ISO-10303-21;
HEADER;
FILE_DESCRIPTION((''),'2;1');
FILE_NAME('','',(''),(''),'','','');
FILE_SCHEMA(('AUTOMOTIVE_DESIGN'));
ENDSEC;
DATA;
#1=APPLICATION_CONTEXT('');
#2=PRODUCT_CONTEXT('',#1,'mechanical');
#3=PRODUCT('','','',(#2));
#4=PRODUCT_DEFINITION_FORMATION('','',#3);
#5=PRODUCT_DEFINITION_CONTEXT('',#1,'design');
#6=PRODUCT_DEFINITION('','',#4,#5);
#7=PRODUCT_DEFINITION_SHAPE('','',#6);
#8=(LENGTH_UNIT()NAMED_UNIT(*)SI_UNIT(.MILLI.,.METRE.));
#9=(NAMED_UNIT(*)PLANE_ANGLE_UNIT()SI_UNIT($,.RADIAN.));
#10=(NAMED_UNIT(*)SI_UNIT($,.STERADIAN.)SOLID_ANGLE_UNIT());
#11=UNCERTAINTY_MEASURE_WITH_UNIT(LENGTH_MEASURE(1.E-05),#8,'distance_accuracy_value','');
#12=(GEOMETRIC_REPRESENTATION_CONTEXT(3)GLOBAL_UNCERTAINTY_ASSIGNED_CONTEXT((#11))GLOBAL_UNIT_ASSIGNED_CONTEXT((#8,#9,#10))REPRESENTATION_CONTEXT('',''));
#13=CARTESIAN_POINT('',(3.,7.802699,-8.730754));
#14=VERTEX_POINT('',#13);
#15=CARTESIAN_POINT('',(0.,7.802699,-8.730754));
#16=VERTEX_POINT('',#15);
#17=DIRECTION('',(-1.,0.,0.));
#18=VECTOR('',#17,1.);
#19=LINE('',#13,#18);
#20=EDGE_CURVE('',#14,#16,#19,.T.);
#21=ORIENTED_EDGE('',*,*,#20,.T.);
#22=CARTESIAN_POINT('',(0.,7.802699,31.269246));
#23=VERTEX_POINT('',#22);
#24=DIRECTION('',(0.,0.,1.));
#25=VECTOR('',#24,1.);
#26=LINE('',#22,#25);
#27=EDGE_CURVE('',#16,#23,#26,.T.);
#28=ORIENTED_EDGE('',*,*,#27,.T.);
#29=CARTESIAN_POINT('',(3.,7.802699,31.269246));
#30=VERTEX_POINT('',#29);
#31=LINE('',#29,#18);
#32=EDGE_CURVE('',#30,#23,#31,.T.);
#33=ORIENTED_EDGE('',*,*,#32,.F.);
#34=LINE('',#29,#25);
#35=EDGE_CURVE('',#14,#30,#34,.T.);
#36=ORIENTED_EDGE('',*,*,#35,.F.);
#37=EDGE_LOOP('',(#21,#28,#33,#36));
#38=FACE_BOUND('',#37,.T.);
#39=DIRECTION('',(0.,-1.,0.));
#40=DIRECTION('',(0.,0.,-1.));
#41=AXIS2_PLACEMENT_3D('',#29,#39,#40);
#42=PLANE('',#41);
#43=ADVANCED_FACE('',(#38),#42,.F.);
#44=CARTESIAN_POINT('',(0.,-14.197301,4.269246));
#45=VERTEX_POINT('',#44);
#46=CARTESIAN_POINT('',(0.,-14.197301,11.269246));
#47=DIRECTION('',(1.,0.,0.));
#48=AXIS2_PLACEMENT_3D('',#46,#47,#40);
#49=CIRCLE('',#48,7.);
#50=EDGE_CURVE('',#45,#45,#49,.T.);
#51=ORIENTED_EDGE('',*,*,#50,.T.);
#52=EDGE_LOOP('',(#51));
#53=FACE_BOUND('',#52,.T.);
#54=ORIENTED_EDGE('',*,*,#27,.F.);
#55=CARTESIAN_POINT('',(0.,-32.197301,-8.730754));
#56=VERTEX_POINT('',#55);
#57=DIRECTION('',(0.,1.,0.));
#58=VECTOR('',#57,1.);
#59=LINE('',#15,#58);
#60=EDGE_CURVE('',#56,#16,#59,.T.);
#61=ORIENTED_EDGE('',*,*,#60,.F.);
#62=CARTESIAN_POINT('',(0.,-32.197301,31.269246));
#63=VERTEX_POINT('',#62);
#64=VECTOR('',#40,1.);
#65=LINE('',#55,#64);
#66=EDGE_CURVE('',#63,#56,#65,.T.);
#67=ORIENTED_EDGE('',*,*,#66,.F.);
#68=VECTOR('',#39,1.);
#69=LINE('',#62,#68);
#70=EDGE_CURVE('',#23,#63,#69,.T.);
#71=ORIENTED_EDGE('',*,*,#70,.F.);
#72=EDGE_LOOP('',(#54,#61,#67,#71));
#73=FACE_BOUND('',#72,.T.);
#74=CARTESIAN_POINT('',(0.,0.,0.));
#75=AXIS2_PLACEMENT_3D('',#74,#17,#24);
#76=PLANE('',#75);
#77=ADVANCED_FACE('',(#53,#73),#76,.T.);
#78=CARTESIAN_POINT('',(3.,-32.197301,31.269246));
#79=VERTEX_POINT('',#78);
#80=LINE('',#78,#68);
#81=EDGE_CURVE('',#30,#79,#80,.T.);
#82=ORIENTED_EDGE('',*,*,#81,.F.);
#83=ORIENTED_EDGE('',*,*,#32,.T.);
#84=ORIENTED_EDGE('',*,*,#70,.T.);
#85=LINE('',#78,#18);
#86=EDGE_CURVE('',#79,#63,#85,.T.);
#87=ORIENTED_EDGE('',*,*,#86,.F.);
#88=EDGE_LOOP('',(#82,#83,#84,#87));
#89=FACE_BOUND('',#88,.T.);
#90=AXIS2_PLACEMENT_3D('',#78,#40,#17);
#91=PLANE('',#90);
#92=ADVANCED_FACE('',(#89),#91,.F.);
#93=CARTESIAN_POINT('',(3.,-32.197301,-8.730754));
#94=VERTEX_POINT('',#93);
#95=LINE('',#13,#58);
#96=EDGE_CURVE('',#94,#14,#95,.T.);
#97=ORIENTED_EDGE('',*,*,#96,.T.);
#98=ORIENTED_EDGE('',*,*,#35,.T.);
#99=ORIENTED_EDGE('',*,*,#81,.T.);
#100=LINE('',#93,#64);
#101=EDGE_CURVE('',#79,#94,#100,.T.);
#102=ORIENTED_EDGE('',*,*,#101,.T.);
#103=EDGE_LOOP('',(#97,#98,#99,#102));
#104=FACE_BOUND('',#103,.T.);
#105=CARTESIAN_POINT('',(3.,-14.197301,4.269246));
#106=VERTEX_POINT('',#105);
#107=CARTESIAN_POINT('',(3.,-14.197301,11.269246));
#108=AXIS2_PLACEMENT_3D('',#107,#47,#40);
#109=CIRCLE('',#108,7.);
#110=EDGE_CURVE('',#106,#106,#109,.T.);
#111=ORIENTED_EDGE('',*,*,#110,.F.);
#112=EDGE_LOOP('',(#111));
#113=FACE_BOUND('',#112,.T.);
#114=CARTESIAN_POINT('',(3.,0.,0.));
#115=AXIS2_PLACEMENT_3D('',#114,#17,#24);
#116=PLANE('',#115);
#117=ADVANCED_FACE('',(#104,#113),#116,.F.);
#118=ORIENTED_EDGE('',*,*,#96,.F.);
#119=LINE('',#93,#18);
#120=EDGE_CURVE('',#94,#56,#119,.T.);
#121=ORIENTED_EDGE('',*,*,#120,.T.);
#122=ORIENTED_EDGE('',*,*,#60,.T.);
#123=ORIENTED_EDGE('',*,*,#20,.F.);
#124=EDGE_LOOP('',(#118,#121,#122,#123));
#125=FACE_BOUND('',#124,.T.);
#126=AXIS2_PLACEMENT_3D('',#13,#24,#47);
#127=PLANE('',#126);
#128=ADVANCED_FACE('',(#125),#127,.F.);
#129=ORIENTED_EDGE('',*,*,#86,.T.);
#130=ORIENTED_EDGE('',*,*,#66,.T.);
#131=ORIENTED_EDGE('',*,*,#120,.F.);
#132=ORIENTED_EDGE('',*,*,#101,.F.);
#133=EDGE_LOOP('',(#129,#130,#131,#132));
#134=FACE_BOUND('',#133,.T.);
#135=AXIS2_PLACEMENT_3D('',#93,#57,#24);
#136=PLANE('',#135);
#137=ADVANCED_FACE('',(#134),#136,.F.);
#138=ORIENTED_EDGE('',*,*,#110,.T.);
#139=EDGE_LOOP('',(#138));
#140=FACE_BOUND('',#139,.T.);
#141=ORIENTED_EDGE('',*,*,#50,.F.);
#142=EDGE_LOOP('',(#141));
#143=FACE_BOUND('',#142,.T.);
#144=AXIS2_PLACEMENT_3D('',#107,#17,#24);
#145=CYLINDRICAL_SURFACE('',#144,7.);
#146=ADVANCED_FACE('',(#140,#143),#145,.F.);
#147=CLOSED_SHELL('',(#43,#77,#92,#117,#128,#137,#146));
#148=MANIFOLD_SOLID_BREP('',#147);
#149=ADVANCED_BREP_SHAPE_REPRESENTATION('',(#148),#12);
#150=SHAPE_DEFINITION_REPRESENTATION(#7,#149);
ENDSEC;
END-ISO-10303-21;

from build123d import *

# Parameters (mm, degrees)
CROQUIS1_W              = 40
CROQUIS1_H              = 40
CROQUIS1_R              = 7
SALIENTE_EXTRUIR1_DEPTH = 3


with BuildPart() as part:
    # Croquis1 → Saliente-Extruir1 (new body)
    with BuildSketch(Plane(origin=(0, 0, 0), x_dir=(0, 0, -1), z_dir=(1, 0, 0))):
        with Locations((-11.269245759, -12.197301292)):
            Rectangle(CROQUIS1_W, CROQUIS1_H)
        with Locations((-11.269245759, -14.197301292)):
            Circle(CROQUIS1_R, mode=Mode.SUBTRACT)
    extrude(amount=SALIENTE_EXTRUIR1_DEPTH)


solid = part.part
